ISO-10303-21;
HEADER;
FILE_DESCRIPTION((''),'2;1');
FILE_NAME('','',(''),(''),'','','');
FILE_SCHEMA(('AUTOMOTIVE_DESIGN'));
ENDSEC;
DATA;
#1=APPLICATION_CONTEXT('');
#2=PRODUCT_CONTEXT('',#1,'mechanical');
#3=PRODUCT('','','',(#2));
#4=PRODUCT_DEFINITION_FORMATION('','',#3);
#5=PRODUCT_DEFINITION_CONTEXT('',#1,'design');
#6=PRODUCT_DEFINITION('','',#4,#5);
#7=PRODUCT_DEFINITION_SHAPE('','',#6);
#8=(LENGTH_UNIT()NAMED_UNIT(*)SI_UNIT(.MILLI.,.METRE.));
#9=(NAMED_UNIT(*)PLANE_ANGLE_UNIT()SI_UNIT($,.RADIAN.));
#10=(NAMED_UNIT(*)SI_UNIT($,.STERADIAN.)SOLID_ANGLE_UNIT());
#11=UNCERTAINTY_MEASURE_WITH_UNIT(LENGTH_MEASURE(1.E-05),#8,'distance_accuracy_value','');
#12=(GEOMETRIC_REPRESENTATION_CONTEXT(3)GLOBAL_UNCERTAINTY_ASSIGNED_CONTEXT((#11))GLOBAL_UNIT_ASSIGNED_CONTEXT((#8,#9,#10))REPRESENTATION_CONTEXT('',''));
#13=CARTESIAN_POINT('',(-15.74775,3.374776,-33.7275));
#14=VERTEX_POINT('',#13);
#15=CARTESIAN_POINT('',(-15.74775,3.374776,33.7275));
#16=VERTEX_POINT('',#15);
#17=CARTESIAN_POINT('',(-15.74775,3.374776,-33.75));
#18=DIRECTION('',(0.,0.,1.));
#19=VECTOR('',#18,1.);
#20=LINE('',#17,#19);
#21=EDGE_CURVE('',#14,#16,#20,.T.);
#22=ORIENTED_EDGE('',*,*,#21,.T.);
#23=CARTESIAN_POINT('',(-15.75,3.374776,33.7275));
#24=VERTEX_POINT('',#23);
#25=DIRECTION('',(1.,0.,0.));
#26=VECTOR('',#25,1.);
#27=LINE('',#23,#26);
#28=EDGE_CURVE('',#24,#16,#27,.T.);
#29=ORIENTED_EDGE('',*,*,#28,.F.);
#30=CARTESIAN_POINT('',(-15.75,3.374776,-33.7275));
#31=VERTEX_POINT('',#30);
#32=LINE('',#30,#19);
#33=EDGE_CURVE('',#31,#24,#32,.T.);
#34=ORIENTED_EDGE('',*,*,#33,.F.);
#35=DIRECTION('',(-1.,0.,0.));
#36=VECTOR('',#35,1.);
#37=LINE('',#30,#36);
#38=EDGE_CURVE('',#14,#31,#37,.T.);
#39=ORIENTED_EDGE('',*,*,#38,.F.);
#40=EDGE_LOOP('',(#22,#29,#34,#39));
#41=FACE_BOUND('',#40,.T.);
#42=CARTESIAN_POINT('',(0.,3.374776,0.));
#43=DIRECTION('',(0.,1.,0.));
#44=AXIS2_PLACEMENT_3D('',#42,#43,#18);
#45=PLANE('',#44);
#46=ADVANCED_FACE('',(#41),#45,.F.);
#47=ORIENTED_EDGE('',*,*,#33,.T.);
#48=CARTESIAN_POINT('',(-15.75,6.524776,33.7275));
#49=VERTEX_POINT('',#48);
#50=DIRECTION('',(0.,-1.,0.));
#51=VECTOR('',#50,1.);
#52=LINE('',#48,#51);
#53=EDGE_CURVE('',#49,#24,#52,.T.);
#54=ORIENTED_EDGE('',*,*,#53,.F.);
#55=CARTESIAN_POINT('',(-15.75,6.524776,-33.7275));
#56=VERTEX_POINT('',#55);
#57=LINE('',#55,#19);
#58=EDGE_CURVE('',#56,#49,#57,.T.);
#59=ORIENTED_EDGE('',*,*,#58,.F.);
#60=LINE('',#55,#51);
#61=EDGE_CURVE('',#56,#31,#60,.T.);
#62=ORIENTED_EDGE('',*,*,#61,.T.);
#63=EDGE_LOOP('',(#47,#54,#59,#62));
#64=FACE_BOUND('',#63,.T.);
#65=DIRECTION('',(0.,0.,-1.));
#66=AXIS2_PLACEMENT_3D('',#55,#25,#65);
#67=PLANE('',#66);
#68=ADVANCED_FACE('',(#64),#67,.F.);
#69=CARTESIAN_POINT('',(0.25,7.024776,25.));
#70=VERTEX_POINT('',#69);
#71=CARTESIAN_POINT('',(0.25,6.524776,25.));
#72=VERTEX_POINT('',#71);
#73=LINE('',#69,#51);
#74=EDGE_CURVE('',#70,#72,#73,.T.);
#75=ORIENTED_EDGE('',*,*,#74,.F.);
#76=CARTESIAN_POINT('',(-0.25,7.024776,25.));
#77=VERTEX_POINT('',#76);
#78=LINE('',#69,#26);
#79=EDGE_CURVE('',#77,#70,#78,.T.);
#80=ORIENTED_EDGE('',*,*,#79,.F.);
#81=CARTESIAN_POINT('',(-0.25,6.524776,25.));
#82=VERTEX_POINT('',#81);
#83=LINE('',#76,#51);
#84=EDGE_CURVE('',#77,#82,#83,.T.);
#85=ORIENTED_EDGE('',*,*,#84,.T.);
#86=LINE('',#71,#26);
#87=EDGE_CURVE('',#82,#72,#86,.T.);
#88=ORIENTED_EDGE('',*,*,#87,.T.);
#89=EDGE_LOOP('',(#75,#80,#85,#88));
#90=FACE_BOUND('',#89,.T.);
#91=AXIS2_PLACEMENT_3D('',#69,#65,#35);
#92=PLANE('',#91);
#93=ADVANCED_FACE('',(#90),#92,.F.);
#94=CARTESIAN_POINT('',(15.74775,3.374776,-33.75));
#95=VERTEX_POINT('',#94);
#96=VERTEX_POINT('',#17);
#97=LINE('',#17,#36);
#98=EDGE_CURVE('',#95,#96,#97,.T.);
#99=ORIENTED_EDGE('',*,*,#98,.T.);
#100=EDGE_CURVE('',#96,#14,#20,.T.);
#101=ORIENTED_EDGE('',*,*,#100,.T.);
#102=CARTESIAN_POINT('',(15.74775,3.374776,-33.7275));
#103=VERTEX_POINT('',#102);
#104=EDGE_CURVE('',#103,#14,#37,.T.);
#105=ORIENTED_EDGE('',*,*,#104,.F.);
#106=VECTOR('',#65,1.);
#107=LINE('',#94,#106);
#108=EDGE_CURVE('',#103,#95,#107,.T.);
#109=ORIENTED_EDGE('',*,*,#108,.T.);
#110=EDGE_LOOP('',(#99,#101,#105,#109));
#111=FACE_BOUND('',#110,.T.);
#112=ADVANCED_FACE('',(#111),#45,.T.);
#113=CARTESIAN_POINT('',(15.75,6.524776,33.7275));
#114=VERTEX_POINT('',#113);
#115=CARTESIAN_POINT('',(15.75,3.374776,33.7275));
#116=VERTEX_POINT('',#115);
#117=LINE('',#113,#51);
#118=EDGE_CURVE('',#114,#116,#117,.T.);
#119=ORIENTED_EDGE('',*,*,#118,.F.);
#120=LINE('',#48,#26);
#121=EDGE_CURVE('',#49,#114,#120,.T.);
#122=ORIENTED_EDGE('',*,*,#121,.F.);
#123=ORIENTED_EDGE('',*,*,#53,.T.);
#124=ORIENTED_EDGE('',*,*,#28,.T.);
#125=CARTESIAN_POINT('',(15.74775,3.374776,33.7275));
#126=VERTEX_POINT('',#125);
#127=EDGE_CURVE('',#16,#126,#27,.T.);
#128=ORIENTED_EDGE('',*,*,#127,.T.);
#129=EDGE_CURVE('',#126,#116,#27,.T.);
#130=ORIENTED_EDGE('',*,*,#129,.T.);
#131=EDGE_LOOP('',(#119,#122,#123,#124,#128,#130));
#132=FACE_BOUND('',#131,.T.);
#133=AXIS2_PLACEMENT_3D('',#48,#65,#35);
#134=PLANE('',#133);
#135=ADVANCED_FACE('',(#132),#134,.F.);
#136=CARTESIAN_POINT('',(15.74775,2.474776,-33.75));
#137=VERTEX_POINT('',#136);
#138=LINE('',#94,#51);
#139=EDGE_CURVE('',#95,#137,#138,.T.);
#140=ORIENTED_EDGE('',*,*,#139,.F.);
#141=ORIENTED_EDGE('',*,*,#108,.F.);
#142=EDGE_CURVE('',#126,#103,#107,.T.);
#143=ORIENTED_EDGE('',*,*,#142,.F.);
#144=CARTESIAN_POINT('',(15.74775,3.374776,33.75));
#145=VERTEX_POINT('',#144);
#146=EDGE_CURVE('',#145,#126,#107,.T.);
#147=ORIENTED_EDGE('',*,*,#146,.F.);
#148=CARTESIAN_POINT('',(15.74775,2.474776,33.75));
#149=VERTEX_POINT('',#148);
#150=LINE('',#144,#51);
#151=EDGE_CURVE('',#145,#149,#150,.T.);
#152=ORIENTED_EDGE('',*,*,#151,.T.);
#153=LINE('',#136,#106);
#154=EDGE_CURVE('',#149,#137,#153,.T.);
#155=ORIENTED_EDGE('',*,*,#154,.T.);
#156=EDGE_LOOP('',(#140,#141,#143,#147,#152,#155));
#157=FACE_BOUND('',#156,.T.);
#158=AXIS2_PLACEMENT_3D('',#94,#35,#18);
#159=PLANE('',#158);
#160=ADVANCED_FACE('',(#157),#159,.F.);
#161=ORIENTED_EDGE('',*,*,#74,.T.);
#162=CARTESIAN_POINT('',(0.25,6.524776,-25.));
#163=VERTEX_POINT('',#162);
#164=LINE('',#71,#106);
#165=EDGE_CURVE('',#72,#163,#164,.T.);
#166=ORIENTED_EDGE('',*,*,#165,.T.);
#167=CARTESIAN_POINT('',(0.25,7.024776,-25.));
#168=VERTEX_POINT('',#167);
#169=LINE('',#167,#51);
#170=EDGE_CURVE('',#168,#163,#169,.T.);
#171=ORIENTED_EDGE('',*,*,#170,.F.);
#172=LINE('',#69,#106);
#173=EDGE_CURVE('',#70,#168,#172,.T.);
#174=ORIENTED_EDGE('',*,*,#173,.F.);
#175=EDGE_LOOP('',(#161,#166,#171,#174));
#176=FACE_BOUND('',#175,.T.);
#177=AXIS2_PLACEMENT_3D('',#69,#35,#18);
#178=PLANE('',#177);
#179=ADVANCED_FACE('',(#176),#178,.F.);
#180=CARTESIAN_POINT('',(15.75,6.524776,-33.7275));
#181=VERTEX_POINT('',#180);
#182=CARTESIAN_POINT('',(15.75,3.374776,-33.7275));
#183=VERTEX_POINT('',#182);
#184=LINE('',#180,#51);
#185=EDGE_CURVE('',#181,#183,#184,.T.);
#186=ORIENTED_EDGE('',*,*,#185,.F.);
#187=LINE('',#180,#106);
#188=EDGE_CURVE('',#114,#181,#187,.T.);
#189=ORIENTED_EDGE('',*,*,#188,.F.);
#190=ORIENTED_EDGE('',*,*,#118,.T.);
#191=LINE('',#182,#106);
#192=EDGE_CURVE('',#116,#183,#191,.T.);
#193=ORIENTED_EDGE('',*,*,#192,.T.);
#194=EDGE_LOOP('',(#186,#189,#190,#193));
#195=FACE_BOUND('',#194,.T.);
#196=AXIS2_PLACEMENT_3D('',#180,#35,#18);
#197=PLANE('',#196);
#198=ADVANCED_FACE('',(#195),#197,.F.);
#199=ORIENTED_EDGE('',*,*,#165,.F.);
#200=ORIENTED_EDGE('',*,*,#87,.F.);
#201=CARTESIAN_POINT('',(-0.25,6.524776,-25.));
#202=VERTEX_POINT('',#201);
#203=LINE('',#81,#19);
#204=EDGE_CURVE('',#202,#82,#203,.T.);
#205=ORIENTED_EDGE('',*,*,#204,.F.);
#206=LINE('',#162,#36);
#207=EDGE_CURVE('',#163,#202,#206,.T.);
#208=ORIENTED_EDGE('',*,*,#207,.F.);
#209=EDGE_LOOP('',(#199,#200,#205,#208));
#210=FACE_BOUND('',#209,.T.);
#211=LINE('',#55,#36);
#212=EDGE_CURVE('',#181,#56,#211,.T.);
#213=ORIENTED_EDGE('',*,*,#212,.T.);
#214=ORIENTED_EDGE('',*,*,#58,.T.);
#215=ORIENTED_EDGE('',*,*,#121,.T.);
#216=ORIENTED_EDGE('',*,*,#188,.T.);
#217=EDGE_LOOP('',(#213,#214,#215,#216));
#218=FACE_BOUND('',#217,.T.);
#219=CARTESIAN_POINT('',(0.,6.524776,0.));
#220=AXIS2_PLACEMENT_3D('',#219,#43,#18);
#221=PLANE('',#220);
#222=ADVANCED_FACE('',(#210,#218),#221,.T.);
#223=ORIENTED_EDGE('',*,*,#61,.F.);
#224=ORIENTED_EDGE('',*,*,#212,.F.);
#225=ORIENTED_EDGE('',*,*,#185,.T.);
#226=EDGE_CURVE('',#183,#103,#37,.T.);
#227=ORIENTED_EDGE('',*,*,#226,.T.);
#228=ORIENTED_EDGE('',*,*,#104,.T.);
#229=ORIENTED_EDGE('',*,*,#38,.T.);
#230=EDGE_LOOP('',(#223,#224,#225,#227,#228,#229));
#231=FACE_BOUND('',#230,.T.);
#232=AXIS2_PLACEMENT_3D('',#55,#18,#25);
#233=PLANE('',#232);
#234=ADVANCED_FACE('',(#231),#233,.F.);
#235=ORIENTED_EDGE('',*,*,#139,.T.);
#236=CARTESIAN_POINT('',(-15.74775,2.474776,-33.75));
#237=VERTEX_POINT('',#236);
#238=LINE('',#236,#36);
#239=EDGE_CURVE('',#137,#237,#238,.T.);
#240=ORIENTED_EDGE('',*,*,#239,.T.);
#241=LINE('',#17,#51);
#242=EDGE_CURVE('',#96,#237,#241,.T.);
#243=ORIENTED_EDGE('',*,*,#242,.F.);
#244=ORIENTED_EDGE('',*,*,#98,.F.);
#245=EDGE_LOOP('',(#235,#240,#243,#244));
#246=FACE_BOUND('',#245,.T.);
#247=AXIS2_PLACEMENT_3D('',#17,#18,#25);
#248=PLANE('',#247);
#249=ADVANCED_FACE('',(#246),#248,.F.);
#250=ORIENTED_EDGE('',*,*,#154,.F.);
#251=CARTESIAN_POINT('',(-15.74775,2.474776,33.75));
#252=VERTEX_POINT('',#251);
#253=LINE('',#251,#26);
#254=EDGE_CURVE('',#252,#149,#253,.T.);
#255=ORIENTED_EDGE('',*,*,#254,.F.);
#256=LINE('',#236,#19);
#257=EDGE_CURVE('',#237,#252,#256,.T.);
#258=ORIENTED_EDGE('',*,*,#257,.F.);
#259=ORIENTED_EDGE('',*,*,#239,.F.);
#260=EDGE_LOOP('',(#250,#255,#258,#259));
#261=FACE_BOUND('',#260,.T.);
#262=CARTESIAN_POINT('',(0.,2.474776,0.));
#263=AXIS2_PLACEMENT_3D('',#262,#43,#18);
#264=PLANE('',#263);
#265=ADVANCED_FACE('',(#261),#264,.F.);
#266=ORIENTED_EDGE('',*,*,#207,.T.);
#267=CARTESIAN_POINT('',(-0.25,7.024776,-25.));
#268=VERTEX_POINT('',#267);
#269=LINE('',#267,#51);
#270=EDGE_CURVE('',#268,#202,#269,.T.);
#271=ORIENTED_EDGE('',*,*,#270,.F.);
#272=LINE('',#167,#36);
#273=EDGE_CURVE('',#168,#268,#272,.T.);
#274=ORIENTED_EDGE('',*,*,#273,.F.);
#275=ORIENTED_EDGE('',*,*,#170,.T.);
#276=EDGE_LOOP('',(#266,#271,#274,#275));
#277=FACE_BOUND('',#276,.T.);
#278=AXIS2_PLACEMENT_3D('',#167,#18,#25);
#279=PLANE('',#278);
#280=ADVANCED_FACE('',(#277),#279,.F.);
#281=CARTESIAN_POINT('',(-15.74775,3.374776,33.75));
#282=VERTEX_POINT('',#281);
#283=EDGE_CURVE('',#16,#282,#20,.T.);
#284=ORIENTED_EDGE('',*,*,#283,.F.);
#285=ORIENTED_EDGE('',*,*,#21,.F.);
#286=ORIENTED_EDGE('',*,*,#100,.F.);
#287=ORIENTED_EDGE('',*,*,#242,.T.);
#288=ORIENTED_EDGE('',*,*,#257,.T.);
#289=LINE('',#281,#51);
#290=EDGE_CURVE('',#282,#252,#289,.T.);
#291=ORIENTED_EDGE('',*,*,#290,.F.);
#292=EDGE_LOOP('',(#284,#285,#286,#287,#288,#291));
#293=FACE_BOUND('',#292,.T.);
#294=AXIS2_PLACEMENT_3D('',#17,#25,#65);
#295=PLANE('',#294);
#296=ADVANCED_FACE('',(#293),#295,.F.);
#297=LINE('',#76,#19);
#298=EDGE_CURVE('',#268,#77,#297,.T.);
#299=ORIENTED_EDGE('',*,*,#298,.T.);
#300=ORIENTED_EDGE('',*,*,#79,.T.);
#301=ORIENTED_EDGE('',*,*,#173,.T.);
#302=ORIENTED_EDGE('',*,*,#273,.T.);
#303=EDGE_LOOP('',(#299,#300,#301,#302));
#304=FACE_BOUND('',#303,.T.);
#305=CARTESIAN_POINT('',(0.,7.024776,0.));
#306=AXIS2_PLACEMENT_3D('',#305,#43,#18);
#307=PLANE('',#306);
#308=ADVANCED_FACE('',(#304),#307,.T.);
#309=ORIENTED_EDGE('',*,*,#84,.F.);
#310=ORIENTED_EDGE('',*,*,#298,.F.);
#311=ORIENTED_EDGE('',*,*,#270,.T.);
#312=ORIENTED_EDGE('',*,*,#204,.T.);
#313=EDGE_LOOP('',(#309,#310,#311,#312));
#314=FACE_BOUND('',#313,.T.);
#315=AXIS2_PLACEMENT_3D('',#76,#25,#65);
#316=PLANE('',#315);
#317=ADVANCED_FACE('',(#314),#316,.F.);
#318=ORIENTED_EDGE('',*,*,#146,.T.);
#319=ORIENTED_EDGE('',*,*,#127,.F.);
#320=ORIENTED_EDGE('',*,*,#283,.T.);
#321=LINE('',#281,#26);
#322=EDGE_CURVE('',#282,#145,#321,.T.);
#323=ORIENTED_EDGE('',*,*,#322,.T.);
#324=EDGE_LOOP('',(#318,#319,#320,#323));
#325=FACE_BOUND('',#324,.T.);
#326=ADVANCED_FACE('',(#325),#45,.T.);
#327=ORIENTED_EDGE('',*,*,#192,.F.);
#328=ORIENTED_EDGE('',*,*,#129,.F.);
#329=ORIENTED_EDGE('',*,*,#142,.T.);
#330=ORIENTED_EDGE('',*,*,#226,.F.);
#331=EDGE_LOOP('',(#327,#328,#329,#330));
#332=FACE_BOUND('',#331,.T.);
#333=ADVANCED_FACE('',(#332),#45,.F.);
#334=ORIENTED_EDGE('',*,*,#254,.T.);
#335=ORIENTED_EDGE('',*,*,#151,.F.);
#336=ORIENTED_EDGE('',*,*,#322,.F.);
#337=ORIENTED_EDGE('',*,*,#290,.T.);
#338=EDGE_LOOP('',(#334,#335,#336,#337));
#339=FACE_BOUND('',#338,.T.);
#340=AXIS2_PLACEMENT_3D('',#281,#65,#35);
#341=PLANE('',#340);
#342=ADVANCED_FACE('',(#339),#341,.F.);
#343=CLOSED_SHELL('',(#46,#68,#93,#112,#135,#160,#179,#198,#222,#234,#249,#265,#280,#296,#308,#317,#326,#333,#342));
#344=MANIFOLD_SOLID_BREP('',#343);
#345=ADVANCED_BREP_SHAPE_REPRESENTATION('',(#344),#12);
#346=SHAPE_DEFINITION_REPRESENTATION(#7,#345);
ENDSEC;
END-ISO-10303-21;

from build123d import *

# Parameters (mm, degrees)
SKETCH1_W           = 69.99
SKETCH1_H           = 150
BOSS_EXTRUDE1_DEPTH = 2
SKETCH2_W           = 70
SKETCH2_H           = 149.9
BOSS_EXTRUDE3_DEPTH = 7
SCALE1_SCALE        = 5
SCALE2_SCALE        = 0.9
SCALE3_SCALE        = 0.1
SKETCH3_W           = 0.5
SKETCH3_H           = 50
BOSS_EXTRUDE4_DEPTH = 0.5


with BuildPart() as part:
    # Sketch1 → Boss-Extrude1 (new body)
    with BuildSketch(Plane(origin=(0, 0, 0), x_dir=(1, 0, 0), z_dir=(0, 1, 0))):
        Rectangle(SKETCH1_W, SKETCH1_H)
    extrude(amount=BOSS_EXTRUDE1_DEPTH)

    # Sketch2 → Boss-Extrude3 (add)
    with BuildSketch(Plane(origin=(0, 2, 0), x_dir=(1, 0, 0), z_dir=(0, 1, 0))):
        Rectangle(SKETCH2_W, SKETCH2_H)
    extrude(amount=BOSS_EXTRUDE3_DEPTH)


with BuildPart() as part_1:
    # Scale1: scaled about (0, 4.499592368, 0)
    add(part.part.scale(SCALE1_SCALE).moved(Location((0, -17.998369472, 0))))


with BuildPart() as part_2:
    # Scale2: scaled about (0, 4.499592369, 0)
    add(part_1.part.scale(SCALE2_SCALE).moved(Location((0, 0.449959237, 0))))


with BuildPart() as part_3:
    # Scale3: scaled about (0, 4.499592369, 0)
    add(part_2.part.scale(SCALE3_SCALE).moved(Location((0, 4.049633132, 0))))

    # Sketch3 → Boss-Extrude4 (add)
    with BuildSketch(Plane(origin=(0, 6.524775803, 0), x_dir=(1, 0, 0), z_dir=(0, 1, 0))):
        Rectangle(SKETCH3_W, SKETCH3_H)
    extrude(amount=BOSS_EXTRUDE4_DEPTH)


solid = part_3.part
